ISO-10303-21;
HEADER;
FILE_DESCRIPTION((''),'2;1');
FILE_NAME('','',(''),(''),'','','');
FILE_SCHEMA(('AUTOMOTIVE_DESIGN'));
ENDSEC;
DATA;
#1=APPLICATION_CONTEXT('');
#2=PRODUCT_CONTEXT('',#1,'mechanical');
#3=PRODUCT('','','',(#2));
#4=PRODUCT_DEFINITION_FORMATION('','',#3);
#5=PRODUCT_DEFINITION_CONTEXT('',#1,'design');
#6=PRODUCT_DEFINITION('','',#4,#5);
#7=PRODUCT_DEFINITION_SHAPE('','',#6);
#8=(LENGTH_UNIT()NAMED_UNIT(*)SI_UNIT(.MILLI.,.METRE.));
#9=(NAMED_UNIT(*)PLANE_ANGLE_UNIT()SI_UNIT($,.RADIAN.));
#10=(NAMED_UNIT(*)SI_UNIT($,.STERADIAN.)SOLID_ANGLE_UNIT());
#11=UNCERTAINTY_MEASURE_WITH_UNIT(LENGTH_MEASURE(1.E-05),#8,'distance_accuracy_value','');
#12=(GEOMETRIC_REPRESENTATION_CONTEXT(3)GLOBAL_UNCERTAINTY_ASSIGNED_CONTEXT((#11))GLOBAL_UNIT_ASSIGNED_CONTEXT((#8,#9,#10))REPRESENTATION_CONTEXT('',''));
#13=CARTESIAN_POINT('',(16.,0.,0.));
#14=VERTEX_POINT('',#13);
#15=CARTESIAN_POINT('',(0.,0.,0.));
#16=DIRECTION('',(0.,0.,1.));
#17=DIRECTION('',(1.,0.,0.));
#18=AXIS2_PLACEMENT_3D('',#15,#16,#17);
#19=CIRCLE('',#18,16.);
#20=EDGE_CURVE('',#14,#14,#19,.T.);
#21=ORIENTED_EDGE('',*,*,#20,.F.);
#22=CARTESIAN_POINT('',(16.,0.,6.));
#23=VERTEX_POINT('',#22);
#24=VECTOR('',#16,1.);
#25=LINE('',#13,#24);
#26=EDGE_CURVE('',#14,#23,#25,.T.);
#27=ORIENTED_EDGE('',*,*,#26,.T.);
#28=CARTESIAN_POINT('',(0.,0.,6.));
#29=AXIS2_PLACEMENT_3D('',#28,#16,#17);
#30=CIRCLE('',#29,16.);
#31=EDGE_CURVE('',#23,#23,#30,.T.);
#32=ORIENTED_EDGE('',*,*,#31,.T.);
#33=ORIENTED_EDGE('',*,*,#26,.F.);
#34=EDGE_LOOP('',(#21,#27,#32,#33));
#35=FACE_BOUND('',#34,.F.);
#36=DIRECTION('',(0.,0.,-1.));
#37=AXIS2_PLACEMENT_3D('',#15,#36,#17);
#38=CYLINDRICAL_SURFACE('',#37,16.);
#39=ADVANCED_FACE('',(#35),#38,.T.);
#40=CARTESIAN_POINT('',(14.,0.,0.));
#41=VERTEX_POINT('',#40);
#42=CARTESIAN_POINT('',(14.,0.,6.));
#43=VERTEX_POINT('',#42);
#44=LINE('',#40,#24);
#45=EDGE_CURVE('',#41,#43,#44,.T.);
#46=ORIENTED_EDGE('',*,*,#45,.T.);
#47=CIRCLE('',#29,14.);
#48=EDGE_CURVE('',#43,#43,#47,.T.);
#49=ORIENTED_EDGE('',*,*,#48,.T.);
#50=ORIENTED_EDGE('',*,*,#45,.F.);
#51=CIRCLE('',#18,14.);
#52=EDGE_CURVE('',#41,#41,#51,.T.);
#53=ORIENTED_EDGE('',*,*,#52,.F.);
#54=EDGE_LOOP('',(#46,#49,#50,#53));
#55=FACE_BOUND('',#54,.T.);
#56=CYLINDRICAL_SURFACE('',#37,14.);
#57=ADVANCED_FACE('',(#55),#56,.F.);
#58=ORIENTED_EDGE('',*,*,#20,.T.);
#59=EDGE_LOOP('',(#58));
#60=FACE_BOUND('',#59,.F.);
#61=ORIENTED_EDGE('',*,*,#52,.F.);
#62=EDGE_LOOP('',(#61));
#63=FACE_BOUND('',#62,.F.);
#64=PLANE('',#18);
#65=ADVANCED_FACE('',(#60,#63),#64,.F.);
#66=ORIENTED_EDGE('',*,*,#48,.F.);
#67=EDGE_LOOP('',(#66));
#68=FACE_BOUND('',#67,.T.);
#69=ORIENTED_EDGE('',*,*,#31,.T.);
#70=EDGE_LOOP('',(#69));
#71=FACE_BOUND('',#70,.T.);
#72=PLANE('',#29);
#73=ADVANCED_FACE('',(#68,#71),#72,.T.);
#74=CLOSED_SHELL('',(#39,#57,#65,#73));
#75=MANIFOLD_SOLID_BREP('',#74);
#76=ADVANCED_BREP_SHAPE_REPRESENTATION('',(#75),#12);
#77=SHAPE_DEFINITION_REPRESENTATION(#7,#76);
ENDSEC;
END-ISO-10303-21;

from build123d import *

# Parameters (mm, degrees)
CYLINDER001_R     = 14
CYLINDER001_DEPTH = 6
CYLINDER_R        = 16
CYLINDER_DEPTH    = 6


with BuildPart() as inner:
    # Cylinder001 → Cylinder001 (new body)
    with BuildSketch(Plane.XY):
        Circle(CYLINDER001_R)
    extrude(amount=CYLINDER001_DEPTH)


with BuildPart() as ring:
    # Cylinder → Cylinder (new body)
    with BuildSketch(Plane.XY):
        Circle(CYLINDER_R)
    extrude(amount=CYLINDER_DEPTH)

    # Cut: cut Inner
    add(inner.part, mode=Mode.SUBTRACT)


solid = ring.part
